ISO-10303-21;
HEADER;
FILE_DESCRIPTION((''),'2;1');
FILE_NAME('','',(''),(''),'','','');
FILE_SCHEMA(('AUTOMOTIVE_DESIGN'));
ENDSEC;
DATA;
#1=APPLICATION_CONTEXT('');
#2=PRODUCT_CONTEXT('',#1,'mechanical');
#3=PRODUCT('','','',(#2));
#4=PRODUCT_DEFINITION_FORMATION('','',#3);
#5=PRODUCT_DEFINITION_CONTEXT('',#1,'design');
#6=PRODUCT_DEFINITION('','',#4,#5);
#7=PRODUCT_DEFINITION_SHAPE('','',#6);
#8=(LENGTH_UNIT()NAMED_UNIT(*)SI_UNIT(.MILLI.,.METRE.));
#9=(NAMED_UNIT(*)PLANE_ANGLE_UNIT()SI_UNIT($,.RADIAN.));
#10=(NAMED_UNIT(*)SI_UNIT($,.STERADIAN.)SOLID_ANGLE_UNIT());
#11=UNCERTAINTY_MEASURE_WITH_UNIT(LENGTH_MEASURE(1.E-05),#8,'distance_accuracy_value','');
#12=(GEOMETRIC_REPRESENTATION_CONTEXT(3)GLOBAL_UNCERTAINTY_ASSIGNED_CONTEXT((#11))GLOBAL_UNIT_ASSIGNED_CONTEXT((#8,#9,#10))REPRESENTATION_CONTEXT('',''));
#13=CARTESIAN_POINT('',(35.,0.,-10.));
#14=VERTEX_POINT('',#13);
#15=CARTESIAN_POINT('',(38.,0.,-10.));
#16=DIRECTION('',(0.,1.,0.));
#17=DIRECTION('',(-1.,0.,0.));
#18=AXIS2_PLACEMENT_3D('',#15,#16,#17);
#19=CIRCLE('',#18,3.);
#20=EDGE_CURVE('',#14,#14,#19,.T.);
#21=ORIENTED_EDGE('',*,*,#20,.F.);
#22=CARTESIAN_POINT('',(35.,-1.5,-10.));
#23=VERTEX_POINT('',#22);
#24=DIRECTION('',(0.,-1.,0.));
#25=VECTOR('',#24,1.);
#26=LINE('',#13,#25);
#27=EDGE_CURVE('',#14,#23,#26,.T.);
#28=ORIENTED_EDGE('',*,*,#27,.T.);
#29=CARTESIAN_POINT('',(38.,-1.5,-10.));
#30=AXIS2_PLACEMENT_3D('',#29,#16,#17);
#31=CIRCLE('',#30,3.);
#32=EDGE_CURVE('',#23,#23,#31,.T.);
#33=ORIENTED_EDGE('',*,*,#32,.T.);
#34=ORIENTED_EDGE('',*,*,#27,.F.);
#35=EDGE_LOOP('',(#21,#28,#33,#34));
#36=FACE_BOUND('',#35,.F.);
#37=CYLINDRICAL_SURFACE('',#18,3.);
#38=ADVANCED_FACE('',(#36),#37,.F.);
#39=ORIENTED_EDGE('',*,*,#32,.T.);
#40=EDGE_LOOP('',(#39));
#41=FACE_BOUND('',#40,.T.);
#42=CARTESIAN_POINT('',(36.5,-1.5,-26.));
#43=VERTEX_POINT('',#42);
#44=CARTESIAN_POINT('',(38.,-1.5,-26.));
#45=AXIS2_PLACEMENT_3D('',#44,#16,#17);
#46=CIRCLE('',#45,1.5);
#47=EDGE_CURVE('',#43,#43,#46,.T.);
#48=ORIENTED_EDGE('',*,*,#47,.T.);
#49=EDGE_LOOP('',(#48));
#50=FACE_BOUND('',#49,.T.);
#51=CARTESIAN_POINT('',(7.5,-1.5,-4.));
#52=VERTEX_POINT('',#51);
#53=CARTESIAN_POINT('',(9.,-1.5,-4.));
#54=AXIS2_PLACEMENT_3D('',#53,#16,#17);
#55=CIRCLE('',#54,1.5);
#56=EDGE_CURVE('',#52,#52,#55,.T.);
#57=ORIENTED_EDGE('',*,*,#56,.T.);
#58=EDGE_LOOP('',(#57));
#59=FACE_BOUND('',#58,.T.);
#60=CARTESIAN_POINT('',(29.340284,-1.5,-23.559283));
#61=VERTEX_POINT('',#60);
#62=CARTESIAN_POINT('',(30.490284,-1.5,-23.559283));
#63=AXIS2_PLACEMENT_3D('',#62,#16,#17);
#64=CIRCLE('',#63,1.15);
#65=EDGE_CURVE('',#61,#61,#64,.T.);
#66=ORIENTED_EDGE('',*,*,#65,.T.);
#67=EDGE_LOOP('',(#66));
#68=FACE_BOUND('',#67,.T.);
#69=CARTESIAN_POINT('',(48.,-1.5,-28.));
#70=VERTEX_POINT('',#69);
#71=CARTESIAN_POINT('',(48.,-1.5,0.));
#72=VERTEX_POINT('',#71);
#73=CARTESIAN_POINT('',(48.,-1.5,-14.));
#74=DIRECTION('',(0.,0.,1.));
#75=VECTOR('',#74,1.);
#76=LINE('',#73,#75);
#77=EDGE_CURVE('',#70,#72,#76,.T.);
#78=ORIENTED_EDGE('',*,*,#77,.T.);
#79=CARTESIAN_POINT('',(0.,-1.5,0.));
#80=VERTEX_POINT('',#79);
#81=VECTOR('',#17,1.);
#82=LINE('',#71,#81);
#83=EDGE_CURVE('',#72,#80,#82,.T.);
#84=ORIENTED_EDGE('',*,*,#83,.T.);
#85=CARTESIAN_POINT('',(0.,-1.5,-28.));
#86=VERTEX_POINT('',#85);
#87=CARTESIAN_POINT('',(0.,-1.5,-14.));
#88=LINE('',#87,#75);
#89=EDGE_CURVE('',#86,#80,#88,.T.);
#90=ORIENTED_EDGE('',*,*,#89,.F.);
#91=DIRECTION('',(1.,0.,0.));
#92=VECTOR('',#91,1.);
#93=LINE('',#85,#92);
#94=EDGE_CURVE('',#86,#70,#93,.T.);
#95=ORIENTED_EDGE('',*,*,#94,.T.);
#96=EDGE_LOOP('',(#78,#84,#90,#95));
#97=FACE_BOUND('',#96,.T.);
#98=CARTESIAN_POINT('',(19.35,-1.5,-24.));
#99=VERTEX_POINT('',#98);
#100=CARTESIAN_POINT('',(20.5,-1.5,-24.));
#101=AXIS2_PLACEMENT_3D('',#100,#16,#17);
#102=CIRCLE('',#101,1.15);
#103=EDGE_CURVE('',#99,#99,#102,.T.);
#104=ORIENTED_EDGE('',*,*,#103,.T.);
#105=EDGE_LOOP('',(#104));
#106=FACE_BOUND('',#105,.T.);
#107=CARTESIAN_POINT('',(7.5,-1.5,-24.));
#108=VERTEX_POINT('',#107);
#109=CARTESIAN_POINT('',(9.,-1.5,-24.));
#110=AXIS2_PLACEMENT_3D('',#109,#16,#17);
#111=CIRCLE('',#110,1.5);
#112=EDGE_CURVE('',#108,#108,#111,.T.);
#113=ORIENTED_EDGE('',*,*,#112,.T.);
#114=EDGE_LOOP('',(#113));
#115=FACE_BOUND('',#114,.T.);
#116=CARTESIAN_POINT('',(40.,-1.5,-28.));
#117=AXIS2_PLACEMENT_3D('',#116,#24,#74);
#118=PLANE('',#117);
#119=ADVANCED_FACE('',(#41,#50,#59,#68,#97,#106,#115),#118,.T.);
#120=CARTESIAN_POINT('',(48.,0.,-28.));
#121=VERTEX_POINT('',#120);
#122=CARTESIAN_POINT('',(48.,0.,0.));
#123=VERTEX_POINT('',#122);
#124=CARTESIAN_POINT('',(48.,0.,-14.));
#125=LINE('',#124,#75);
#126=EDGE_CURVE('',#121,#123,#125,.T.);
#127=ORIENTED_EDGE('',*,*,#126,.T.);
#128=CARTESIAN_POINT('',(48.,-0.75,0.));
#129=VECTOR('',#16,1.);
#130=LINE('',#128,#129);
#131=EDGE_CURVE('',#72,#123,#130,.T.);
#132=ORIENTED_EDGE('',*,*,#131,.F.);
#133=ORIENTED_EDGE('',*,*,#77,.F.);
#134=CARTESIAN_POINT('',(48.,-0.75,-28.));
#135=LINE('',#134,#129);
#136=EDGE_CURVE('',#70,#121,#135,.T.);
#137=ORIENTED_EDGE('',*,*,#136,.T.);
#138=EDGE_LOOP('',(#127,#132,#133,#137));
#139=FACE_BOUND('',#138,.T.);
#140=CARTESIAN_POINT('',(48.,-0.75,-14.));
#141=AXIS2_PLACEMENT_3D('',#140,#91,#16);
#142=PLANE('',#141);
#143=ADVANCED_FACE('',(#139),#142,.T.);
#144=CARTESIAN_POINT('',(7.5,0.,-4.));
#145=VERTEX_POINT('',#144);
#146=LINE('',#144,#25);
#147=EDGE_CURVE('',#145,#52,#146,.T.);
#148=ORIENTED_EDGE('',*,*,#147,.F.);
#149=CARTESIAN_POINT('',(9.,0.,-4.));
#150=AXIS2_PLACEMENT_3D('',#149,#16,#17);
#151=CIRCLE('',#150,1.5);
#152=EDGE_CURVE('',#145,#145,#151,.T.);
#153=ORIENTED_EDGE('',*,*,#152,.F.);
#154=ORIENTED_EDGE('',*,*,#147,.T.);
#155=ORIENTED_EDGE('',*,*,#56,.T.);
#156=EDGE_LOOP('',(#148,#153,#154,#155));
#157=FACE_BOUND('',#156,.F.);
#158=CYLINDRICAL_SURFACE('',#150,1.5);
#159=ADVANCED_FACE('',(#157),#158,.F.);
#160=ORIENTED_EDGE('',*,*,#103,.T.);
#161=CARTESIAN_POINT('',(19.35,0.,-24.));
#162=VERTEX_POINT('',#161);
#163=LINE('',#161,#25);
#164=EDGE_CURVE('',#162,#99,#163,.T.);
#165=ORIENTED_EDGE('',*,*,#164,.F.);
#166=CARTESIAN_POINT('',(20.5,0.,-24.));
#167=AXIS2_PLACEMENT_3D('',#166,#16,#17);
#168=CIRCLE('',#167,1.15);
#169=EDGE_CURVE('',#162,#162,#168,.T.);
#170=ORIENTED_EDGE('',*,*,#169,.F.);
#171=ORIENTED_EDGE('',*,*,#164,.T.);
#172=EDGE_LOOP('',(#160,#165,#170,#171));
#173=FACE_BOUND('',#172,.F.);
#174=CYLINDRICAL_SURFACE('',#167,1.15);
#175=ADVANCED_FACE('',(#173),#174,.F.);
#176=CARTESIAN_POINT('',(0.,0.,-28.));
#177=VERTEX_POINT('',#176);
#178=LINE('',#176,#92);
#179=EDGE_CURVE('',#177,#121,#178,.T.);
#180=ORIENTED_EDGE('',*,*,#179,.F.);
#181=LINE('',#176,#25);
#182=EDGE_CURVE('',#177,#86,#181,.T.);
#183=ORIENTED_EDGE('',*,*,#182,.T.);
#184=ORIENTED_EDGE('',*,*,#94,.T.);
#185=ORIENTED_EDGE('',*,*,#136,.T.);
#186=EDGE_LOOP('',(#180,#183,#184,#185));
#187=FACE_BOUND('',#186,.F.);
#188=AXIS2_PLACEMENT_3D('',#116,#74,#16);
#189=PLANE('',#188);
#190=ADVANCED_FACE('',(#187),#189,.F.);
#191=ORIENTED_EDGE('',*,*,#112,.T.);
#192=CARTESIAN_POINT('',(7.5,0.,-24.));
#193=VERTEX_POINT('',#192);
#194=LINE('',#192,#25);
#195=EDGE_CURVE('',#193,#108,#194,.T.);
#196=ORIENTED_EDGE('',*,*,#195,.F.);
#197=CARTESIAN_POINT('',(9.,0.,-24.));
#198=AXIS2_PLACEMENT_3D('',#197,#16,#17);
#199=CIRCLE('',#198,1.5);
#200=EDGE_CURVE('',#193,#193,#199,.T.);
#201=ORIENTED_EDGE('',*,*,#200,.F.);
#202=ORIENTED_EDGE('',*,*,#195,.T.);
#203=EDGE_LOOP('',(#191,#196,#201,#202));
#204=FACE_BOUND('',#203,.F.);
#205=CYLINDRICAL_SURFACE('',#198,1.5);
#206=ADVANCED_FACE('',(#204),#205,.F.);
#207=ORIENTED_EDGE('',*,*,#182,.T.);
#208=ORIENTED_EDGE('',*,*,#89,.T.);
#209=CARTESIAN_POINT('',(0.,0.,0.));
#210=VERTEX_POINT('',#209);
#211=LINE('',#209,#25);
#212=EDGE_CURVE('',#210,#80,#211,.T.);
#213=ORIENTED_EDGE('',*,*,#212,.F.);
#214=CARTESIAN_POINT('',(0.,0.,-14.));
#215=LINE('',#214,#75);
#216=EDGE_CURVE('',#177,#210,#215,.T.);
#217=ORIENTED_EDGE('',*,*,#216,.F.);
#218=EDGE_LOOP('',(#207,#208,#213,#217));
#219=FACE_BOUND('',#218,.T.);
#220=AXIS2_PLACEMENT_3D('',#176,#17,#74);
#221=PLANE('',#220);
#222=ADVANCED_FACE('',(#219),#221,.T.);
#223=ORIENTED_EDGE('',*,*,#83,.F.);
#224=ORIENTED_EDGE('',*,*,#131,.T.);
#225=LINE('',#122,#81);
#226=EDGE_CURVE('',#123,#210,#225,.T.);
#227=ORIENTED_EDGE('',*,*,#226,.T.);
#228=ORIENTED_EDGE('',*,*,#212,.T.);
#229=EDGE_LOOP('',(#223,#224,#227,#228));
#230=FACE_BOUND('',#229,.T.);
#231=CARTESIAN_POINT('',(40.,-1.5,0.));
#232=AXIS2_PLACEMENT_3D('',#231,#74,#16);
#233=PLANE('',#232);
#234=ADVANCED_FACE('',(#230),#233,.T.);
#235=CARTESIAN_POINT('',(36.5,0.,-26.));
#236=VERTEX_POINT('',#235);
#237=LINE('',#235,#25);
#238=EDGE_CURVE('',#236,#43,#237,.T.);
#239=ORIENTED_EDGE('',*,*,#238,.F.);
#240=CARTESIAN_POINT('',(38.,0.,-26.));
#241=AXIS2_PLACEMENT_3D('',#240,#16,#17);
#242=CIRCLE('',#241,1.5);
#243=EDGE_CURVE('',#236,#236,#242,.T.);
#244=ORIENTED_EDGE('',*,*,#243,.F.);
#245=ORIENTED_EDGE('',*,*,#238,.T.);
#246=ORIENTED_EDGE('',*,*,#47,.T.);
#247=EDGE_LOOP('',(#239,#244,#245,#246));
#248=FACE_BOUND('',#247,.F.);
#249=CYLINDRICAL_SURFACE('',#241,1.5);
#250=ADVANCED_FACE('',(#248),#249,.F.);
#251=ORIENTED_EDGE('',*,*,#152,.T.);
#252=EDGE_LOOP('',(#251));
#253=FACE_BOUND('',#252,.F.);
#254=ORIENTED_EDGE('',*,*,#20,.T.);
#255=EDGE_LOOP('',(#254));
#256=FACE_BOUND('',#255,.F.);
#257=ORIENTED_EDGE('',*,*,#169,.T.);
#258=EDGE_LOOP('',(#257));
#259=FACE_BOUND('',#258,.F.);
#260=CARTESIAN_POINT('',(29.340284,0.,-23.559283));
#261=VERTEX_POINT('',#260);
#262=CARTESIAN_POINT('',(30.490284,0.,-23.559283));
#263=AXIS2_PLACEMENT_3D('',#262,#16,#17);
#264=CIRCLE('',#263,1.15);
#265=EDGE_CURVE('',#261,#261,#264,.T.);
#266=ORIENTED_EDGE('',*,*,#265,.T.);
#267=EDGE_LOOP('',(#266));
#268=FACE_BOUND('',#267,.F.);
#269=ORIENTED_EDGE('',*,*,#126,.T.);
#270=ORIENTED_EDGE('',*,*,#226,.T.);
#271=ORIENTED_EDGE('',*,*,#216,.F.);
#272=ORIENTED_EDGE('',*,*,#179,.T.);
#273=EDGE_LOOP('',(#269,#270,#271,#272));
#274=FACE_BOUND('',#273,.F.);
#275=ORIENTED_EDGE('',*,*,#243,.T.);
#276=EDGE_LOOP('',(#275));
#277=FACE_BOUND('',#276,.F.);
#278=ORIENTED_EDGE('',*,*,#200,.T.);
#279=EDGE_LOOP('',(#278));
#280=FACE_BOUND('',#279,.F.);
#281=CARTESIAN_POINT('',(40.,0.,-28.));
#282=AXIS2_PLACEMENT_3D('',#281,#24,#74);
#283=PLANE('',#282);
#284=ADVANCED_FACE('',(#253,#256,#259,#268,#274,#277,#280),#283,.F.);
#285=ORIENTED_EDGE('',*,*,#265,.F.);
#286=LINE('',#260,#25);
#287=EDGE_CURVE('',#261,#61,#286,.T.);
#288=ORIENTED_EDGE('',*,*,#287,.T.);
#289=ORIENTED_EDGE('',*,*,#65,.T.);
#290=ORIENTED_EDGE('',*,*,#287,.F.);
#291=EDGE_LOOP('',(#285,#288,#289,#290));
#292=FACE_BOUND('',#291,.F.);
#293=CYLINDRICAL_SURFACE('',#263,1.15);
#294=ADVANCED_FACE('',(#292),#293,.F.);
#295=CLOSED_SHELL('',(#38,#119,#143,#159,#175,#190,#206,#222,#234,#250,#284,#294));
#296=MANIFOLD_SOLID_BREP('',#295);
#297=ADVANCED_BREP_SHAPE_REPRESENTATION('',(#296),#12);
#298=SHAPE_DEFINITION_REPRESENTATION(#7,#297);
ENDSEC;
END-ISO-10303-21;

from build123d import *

# Parameters (mm, degrees)
F0_W      = 40
F0_H      = 28
F1_DEPTH  = 1.5
F3_R      = 1.5
F4_DEPTH  = 1.501
F5_R      = 1.15
F6_DEPTH  = 1.501
F7_W      = 1.5
F7_H      = 28
F8_DEPTH  = 8
F9_R      = 3
F10_DEPTH = 1.501


with BuildPart() as f1:
    # F0 (on Front) → F1 (new body)
    with BuildSketch(Plane.XZ):
        with Locations((20, -14)):
            Rectangle(F0_W, F0_H)
    extrude(amount=F1_DEPTH)

    # F3 (on face) → F4 (cut, through all)
    with BuildSketch(Plane(origin=(0, 0, 0), x_dir=(-1, 0, 0), z_dir=(0, 1, 0))):
        with Locations((-38, -26)):
            Circle(F3_R)
        with Locations((-9, -24)):
            Circle(F3_R)
        with Locations((-9, -4)):
            Circle(F3_R)
    extrude(amount=-F4_DEPTH, mode=Mode.SUBTRACT)

    # F5 (on face) → F6 (cut, through all)
    with BuildSketch(Plane(origin=(0, 0, 0), x_dir=(-1, 0, 0), z_dir=(0, 1, 0))):
        with Locations((-20.5, -24)):
            Circle(F5_R)
        with Locations((-30.490284, -23.559283)):
            Circle(F5_R)
    extrude(amount=-F6_DEPTH, mode=Mode.SUBTRACT)

    # F7 (on face) → F8 (join)
    with BuildSketch(Plane.YZ.offset(40)):
        with Locations((-0.75, -14)):
            Rectangle(F7_W, F7_H)
    extrude(amount=F8_DEPTH)

    # F9 (on face) → F10 (cut, through all)
    with BuildSketch(Plane(origin=(0, 0, 0), x_dir=(-1, 0, 0), z_dir=(0, 1, 0))):
        with Locations((-38, -10)):
            Circle(F9_R)
    extrude(amount=-F10_DEPTH, mode=Mode.SUBTRACT)


solid = f1.part
